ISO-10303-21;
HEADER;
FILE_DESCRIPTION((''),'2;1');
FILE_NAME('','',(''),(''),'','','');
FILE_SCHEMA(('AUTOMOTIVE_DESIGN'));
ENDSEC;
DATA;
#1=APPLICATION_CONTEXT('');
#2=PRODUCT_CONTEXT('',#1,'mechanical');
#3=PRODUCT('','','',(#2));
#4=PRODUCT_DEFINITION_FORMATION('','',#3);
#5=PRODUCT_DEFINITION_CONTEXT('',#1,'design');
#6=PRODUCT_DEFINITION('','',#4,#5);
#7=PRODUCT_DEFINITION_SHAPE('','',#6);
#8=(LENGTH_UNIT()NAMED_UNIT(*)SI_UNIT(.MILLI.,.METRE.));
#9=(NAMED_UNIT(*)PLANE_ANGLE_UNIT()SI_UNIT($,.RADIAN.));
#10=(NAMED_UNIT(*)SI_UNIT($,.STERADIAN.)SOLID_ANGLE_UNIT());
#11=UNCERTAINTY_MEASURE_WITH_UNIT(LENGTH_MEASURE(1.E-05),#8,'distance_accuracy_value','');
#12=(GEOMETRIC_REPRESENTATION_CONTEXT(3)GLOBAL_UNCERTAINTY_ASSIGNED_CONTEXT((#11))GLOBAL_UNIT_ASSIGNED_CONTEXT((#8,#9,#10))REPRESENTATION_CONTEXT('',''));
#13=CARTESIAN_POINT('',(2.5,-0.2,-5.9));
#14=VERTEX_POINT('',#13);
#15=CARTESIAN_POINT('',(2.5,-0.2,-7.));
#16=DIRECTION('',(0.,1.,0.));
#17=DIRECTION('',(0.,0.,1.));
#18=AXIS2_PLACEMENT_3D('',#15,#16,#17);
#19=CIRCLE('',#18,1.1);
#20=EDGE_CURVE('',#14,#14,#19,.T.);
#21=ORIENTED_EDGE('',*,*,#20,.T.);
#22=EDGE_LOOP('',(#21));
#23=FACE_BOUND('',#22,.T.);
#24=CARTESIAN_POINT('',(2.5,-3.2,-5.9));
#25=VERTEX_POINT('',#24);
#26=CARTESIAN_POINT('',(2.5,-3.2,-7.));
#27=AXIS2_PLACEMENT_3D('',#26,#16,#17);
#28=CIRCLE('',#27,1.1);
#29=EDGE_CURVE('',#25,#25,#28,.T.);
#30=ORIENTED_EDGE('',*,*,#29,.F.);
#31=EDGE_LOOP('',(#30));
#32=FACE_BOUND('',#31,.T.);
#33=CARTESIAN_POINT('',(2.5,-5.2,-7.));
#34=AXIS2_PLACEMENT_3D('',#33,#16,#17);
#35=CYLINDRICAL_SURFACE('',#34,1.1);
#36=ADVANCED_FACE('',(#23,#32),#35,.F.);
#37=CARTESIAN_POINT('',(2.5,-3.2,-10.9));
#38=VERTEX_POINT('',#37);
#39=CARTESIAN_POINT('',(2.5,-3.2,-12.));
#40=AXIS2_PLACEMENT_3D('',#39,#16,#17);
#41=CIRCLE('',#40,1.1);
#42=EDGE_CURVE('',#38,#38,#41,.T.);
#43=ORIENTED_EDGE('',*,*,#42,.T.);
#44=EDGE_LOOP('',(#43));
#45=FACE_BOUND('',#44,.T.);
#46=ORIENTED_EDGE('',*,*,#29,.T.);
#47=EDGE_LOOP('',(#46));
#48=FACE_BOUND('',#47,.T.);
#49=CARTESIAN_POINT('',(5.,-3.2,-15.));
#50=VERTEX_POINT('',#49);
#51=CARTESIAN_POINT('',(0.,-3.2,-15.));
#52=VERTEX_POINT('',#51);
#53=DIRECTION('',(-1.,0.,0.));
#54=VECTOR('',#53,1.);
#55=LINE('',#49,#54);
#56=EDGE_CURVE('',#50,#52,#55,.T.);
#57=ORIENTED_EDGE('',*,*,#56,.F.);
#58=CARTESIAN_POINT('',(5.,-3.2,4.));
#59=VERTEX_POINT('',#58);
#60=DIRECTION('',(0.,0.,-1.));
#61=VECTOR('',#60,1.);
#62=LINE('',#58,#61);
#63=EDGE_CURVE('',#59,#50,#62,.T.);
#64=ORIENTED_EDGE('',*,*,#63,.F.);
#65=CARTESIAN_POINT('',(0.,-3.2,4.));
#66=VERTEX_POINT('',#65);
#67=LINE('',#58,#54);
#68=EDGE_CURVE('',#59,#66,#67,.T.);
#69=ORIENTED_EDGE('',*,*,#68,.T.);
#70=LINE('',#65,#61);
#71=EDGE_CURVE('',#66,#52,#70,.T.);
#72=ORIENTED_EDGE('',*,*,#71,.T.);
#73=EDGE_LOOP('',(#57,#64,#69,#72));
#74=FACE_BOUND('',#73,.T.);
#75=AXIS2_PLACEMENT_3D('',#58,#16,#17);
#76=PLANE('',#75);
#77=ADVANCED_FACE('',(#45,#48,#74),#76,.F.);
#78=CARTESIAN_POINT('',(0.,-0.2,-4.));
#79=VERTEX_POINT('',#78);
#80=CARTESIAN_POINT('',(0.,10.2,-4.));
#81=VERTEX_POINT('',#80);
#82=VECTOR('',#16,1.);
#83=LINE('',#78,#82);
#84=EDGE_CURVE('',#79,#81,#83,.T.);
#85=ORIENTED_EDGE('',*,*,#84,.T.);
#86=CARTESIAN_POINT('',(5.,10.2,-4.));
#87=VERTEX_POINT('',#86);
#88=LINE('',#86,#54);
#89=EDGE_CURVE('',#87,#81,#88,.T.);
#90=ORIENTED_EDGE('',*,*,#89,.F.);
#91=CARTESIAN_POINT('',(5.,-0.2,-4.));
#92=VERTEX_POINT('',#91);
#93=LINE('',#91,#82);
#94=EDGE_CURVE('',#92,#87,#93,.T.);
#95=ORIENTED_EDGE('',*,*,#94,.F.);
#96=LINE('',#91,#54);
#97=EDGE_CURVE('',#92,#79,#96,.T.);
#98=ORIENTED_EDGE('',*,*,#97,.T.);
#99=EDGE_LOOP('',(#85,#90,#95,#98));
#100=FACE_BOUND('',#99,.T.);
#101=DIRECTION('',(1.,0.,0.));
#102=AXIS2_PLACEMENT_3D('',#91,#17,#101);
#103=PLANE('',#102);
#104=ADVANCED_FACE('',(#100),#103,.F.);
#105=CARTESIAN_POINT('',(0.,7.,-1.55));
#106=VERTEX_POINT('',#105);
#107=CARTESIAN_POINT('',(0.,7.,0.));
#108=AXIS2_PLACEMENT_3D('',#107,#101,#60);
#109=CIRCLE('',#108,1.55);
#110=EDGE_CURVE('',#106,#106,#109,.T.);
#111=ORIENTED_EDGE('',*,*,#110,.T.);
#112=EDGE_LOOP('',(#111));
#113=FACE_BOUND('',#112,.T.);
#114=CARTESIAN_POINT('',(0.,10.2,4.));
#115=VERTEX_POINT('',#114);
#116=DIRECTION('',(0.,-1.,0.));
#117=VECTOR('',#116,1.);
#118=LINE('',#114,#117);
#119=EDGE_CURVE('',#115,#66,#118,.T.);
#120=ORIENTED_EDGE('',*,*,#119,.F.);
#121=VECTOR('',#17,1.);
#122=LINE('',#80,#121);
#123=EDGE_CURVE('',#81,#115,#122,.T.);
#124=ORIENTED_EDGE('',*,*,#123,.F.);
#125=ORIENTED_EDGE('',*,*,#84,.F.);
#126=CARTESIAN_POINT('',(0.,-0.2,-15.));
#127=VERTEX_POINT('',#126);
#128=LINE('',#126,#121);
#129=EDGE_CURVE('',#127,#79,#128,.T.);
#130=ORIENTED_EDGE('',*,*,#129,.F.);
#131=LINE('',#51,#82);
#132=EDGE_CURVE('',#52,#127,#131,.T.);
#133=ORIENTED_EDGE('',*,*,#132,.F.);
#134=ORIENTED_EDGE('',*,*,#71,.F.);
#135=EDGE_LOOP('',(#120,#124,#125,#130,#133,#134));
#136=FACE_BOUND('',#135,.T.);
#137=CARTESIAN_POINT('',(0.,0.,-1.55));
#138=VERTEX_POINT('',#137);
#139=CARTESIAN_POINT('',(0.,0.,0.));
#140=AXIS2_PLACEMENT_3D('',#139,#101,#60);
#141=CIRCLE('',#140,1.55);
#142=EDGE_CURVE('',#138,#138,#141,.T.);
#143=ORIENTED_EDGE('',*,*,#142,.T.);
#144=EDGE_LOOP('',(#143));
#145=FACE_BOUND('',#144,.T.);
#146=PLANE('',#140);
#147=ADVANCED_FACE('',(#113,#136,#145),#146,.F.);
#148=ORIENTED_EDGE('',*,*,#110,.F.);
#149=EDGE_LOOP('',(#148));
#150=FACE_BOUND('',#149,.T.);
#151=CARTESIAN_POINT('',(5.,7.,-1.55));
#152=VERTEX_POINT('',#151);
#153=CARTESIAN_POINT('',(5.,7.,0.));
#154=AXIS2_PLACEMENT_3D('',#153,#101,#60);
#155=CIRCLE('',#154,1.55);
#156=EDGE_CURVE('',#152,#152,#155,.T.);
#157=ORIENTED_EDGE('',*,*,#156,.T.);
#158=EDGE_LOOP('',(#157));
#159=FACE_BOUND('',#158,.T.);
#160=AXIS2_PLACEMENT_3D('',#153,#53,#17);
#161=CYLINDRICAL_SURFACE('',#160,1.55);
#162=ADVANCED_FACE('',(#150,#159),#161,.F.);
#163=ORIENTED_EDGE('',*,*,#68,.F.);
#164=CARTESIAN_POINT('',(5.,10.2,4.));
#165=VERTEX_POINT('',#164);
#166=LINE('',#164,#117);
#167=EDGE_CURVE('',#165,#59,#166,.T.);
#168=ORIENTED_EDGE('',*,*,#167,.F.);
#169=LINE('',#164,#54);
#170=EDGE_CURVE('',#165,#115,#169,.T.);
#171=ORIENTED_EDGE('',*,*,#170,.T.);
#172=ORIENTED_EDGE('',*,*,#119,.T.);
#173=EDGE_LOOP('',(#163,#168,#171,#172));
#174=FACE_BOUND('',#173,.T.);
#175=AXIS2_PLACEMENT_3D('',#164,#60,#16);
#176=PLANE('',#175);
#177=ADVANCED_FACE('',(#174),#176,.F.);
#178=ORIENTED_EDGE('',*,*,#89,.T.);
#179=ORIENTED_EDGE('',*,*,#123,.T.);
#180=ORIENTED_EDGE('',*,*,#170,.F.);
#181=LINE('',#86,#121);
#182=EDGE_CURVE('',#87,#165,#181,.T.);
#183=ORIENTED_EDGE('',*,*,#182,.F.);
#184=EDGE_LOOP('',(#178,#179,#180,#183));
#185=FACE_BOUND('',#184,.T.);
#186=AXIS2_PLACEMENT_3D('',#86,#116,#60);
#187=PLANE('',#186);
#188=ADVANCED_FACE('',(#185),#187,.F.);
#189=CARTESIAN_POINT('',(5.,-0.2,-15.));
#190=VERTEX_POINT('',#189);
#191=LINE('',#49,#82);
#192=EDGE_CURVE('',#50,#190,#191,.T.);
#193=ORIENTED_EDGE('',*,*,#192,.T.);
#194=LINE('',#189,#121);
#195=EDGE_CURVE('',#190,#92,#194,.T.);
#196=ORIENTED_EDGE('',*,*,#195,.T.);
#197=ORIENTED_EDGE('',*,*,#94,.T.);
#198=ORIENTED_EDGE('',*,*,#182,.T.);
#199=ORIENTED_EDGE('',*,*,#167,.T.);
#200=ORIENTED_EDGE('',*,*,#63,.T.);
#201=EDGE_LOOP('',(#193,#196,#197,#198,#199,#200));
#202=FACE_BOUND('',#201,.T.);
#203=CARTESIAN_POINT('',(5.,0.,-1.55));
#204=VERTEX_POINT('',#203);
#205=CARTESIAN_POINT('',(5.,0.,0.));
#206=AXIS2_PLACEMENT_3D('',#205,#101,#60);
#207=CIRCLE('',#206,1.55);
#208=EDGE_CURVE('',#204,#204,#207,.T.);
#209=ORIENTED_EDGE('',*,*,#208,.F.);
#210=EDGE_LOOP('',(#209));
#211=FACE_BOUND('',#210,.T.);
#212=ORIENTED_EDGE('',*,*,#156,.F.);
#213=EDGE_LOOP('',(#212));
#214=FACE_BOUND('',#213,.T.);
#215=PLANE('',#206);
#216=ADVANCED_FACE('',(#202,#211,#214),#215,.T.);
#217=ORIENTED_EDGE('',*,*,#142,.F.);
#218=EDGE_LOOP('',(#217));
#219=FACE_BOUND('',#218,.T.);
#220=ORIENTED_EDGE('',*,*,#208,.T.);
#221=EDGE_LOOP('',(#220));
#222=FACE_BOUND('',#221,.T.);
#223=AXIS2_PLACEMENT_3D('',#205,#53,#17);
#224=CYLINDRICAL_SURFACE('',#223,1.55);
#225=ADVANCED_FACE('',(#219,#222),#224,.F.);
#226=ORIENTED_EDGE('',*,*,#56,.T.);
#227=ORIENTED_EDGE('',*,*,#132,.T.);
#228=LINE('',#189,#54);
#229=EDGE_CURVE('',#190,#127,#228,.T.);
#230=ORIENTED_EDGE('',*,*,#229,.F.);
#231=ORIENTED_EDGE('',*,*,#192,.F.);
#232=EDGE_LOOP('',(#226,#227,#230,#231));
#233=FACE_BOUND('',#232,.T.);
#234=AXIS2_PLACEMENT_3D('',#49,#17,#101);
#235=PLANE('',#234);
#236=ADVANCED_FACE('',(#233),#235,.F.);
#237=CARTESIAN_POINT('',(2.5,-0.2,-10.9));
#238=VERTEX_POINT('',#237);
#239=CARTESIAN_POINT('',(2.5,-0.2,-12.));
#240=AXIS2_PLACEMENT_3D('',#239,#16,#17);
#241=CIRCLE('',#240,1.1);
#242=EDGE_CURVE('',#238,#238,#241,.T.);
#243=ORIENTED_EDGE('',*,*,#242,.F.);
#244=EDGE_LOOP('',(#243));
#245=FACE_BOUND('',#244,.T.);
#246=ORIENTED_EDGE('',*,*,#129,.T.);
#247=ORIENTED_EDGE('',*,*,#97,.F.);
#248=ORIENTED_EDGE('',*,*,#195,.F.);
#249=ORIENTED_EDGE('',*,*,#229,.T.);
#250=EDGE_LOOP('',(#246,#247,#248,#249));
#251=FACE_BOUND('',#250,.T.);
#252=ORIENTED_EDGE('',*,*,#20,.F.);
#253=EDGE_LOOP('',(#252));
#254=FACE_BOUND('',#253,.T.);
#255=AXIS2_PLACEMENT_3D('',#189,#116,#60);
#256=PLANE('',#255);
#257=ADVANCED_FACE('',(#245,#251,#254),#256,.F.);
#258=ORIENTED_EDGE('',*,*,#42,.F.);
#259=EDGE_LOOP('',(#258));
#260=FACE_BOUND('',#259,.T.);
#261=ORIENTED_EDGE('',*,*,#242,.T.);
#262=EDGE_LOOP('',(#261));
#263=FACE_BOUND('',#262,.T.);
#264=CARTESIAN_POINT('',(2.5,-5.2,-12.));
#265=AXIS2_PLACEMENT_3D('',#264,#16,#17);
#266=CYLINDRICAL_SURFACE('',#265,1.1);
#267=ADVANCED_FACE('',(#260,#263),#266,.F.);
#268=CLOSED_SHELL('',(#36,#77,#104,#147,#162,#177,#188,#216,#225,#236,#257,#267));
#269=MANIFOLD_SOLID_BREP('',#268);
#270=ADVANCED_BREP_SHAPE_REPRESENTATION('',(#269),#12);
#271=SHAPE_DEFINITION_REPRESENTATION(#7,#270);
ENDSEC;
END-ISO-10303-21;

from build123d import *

# Parameters (mm, degrees)
SKETCH_1_R          = 1.55
EXTRUDE_1_DEPTH     = 5
SKETCH_2_R          = 1.1
CUT_EXTRUDE_1_DEPTH = 5


with BuildPart() as part:
    # 草图1 → 凸台-拉伸1 (new body)
    with BuildSketch(Plane(origin=(0, 0, 0), x_dir=(0, 0, -1), z_dir=(1, 0, 0))):
        Polygon((-4, 10.2), (-4, -3.2), (15, -3.2), (15, -0.2), (4, -0.2), (4, 10.2), align=None)
        Circle(SKETCH_1_R, mode=Mode.SUBTRACT)
        with Locations((0, 7)):
            Circle(SKETCH_1_R, mode=Mode.SUBTRACT)
    extrude(amount=EXTRUDE_1_DEPTH)

    # 草图2 → 切除-拉伸1 (cut)
    with BuildSketch(Plane(origin=(0, -0.2, 0), x_dir=(1, 0, 0), z_dir=(0, 1, 0))):
        with Locations(Location((2.5, 7, 0), (0, 0, 270))):
            Circle(SKETCH_2_R)
        with Locations(Location((2.5, 12, 0), (0, 0, 270))):
            Circle(SKETCH_2_R)
    extrude(amount=-CUT_EXTRUDE_1_DEPTH, mode=Mode.SUBTRACT)


solid = part.part
